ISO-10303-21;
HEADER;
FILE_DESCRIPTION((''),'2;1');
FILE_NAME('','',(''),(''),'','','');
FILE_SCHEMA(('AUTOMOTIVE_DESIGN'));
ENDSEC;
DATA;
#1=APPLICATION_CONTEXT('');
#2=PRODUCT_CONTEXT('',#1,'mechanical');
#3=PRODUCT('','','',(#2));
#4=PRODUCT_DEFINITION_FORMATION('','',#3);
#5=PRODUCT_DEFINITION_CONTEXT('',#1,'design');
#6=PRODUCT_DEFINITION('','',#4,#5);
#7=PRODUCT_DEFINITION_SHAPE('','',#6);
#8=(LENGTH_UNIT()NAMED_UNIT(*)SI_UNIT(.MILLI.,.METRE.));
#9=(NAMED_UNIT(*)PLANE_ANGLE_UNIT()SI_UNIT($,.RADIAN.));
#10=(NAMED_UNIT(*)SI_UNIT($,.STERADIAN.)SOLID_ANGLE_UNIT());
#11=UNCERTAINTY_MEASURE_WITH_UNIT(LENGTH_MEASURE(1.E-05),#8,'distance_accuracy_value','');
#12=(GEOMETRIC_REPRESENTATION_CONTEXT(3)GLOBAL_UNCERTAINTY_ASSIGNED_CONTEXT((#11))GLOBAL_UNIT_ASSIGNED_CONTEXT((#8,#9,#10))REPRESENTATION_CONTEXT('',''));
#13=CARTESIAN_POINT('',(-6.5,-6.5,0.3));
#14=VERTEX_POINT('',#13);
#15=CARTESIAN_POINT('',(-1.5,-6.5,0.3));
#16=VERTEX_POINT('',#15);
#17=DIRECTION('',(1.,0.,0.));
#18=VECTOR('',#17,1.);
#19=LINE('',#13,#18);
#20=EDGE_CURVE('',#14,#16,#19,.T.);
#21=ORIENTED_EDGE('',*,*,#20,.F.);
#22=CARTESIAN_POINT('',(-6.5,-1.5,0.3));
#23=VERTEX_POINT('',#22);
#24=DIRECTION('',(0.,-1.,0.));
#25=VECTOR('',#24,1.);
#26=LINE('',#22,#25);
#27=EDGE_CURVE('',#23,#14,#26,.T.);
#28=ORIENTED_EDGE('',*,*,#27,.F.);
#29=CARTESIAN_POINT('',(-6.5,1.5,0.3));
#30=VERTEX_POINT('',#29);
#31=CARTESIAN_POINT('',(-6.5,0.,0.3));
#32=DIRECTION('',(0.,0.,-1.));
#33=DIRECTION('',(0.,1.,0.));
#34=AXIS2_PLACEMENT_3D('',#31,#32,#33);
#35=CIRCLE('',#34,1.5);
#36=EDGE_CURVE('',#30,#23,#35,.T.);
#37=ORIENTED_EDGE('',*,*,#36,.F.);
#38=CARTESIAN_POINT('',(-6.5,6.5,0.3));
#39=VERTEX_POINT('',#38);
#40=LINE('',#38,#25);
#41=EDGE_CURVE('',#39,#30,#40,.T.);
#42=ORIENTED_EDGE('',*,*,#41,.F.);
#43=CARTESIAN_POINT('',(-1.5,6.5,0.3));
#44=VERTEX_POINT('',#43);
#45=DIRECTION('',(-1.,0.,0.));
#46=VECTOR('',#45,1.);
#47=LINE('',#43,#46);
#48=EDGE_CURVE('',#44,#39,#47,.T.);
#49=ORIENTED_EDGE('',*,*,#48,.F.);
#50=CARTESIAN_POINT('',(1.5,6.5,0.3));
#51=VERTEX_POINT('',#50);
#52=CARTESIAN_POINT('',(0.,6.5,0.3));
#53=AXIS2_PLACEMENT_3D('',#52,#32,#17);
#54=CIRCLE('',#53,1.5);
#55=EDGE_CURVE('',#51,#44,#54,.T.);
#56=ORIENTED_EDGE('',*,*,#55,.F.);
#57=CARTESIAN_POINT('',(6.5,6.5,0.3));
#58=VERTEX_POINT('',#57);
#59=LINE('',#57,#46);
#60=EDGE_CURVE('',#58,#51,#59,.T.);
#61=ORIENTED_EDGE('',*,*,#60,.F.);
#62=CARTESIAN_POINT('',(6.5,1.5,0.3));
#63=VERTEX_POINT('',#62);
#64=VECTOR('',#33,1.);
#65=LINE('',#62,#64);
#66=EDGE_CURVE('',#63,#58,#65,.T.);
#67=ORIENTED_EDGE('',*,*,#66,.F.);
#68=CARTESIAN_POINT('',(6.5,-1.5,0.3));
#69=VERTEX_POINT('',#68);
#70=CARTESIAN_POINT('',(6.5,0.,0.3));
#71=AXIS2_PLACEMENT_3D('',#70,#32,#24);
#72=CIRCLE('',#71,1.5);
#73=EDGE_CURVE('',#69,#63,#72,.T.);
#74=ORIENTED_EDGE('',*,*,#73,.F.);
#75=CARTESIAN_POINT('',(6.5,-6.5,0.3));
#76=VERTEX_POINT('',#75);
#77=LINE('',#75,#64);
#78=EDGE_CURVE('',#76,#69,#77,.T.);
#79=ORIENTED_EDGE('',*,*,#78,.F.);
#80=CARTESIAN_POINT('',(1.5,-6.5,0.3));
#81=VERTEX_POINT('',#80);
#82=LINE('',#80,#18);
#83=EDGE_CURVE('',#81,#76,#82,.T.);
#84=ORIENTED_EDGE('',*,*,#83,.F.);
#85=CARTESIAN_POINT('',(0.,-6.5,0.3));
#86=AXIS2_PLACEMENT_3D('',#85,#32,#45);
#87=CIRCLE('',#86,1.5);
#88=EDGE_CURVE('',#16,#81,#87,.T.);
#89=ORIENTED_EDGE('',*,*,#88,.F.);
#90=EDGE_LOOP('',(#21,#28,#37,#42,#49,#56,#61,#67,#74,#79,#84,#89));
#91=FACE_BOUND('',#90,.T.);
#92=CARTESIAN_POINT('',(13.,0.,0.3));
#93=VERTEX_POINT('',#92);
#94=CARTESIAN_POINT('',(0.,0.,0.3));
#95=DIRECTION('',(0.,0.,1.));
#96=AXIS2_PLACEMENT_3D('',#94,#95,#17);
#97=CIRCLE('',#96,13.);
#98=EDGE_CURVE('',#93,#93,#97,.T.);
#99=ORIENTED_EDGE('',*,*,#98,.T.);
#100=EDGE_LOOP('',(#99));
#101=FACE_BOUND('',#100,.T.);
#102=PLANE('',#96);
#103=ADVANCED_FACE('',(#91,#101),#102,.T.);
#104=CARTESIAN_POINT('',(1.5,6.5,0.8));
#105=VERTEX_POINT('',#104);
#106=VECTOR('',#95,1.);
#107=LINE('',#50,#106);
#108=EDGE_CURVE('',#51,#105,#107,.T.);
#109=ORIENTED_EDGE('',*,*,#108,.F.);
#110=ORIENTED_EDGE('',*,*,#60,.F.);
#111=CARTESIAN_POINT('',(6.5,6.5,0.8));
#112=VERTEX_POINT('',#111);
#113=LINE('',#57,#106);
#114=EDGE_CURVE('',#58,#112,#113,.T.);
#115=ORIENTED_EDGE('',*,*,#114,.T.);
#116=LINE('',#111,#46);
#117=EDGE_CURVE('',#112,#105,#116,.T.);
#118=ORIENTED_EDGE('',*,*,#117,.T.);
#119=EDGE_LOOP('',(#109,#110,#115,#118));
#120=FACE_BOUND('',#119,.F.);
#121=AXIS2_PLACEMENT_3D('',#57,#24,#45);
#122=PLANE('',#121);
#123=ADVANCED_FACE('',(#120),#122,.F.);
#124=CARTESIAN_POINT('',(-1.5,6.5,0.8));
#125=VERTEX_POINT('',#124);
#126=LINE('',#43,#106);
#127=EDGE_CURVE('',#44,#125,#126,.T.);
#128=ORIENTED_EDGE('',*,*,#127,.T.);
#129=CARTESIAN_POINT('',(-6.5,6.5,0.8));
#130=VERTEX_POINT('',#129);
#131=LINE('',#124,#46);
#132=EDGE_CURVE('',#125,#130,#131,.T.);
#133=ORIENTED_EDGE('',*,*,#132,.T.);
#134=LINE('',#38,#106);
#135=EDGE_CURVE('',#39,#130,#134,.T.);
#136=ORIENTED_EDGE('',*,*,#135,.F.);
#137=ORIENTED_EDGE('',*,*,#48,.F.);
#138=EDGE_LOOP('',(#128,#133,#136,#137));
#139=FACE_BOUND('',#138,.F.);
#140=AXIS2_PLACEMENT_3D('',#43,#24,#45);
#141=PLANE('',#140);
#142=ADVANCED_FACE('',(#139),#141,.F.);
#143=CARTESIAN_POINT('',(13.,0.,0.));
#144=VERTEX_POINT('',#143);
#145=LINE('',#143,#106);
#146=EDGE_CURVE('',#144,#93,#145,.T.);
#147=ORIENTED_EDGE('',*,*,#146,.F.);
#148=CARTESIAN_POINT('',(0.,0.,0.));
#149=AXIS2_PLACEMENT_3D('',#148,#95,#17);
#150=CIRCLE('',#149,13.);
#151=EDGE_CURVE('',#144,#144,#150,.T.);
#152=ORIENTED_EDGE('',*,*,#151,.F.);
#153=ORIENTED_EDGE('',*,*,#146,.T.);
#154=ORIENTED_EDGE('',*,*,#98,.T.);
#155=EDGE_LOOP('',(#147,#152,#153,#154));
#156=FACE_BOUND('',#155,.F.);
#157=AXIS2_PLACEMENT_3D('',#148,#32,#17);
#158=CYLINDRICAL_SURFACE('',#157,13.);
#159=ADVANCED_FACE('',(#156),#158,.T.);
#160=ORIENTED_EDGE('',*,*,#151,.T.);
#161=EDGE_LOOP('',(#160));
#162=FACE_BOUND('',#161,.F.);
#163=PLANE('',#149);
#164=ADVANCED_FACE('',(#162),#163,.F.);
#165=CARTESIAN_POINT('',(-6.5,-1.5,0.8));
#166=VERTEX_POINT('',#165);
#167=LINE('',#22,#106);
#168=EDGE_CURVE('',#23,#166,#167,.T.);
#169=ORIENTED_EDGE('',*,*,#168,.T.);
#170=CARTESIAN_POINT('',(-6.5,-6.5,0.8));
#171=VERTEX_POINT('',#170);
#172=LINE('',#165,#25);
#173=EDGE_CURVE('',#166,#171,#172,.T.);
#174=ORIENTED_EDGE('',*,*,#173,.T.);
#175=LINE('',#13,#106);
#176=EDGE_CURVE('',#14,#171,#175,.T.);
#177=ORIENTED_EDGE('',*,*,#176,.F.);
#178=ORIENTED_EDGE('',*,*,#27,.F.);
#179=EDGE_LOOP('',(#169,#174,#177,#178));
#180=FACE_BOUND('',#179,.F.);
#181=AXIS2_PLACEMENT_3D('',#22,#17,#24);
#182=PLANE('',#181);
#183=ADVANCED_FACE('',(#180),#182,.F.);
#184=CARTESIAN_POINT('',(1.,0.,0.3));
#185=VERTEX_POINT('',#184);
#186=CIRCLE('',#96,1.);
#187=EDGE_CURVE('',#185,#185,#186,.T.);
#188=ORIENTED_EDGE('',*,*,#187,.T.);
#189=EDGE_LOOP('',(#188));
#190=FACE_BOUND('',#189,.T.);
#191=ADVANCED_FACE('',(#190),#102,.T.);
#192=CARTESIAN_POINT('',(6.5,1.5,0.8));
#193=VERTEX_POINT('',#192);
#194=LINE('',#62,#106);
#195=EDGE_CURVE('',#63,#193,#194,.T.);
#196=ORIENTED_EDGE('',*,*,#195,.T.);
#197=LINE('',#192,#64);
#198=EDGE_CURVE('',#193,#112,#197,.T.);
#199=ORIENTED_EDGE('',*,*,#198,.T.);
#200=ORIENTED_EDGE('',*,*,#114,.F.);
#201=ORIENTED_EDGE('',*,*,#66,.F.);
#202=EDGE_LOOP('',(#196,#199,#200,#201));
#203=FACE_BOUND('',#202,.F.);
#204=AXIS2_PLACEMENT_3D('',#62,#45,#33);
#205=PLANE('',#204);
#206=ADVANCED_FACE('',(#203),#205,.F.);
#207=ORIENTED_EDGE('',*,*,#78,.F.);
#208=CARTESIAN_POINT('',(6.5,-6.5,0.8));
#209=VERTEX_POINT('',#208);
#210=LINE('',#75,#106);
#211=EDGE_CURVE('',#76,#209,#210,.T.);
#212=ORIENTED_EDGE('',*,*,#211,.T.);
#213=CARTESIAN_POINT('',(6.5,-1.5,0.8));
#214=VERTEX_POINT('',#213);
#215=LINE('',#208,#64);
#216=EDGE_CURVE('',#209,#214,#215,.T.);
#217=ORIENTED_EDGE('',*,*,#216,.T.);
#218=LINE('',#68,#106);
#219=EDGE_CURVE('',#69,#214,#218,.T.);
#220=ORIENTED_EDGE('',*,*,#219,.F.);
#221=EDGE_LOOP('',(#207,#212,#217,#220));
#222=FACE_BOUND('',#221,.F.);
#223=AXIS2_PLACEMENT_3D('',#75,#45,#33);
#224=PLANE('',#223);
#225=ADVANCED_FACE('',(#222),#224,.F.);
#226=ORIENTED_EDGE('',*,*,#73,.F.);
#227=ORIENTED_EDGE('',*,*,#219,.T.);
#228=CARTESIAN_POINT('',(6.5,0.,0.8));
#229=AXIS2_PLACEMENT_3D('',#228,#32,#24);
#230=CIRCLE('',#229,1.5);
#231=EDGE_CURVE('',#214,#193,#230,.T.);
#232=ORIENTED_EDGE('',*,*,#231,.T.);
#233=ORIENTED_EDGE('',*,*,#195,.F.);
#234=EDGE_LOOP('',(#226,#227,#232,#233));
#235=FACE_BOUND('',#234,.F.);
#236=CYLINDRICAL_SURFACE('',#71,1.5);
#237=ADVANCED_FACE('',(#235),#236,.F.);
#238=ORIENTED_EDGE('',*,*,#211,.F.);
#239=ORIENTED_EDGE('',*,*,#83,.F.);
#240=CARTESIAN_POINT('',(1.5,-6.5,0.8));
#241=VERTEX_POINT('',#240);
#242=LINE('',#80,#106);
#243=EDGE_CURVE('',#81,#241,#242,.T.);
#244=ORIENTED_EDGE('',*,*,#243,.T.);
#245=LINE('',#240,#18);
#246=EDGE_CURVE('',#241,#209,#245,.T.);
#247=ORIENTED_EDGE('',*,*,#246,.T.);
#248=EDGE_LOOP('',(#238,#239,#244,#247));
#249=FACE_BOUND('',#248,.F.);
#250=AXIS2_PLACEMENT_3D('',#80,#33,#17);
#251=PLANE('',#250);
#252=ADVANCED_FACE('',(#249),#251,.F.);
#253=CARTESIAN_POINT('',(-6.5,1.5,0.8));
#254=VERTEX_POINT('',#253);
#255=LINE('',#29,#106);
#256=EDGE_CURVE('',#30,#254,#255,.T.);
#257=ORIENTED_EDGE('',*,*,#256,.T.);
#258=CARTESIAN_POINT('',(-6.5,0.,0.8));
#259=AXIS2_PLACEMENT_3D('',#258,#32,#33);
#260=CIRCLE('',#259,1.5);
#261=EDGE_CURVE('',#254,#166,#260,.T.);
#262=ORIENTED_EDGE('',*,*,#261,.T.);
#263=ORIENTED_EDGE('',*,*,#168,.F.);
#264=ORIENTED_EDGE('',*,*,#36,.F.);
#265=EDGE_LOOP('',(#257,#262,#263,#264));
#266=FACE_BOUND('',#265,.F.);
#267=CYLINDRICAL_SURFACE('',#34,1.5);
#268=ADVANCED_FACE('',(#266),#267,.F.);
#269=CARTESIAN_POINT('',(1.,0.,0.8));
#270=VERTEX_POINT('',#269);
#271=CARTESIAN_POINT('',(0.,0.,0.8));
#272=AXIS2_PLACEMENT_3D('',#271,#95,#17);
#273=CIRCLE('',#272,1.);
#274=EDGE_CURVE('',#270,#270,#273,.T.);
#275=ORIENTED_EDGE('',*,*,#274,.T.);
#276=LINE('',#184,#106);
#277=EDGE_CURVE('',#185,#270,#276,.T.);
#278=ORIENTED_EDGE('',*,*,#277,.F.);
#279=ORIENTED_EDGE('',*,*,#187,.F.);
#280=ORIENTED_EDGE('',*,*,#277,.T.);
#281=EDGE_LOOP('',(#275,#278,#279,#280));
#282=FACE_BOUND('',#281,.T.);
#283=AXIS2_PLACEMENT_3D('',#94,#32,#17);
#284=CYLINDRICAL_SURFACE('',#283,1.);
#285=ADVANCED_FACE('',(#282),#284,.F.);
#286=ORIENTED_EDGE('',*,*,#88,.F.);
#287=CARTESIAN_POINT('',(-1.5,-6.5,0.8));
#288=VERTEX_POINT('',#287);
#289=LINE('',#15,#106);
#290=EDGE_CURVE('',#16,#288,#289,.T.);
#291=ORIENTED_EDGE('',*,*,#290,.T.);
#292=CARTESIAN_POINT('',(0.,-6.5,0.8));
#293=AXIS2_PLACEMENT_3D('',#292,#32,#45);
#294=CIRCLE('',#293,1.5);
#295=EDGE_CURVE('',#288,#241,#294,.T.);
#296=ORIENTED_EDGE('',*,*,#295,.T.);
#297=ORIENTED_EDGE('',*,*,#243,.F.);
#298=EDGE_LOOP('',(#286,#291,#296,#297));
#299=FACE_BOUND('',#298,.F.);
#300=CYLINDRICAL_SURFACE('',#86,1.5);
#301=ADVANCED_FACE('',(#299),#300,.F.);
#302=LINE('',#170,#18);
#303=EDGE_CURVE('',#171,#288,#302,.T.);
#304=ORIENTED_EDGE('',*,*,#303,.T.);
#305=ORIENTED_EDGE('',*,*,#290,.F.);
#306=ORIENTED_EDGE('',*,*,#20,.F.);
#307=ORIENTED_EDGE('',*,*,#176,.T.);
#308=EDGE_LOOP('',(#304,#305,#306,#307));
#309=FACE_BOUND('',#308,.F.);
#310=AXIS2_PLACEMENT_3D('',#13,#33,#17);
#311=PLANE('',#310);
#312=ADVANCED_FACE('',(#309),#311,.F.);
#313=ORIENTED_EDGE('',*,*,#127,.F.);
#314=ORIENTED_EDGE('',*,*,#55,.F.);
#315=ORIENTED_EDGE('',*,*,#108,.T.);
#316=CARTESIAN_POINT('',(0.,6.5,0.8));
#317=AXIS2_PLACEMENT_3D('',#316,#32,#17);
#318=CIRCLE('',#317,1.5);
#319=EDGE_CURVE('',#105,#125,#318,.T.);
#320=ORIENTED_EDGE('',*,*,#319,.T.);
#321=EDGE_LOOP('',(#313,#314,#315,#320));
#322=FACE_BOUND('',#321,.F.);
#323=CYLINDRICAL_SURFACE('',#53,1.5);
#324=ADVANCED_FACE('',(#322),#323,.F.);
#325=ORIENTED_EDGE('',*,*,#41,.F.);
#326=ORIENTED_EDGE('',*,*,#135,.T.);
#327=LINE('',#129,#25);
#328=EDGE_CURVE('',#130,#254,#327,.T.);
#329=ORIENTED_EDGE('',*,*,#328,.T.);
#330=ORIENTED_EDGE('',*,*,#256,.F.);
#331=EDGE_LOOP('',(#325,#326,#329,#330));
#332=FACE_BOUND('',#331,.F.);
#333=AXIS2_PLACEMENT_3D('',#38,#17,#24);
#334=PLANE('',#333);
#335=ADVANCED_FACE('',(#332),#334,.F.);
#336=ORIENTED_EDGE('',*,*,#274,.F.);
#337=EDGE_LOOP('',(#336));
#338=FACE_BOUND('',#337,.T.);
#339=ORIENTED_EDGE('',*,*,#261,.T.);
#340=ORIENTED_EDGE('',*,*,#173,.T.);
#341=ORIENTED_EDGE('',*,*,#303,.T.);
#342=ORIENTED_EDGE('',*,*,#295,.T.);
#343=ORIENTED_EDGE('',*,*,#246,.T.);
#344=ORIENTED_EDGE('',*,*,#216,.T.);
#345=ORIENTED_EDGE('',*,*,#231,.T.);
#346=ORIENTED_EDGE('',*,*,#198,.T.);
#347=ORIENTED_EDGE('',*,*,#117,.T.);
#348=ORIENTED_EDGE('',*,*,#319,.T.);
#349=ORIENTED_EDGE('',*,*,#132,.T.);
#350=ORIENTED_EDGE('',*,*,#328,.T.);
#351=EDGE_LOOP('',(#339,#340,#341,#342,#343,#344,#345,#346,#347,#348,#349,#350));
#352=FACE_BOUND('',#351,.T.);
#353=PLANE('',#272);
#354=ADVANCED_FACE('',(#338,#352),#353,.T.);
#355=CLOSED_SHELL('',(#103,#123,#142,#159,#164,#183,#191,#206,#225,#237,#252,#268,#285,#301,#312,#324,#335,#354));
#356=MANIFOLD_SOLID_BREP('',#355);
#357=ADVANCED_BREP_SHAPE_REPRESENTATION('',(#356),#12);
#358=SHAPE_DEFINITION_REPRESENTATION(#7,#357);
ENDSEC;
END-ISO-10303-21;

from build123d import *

# Parameters (mm, degrees)
F0_R     = 13
F1_DEPTH = 0.3
F2_R     = 1
F3_DEPTH = 0.5


with BuildPart() as f1:
    # F0 (on Top) → F1 (new body)
    with BuildSketch(Plane.XY):
        Circle(F0_R)
    extrude(amount=F1_DEPTH)

    # F2 (on face) → F3 (join)
    with BuildSketch(Plane.XY.offset(0.3)):
        with BuildLine():
            Line((6.5, 1.5), (6.5, 6.5))
            Line((6.5, 6.5), (1.5, 6.5))
            ThreePointArc((1.5, 6.5), (0, 5), (-1.5, 6.5))
            Line((-1.5, 6.5), (-6.5, 6.5))
            Line((-6.5, 6.5), (-6.5, 1.5))
            ThreePointArc((-6.5, 1.5), (-5, 0), (-6.5, -1.5))
            Line((-6.5, -1.5), (-6.5, -6.5))
            Line((-6.5, -6.5), (-1.5, -6.5))
            ThreePointArc((-1.5, -6.5), (0, -5), (1.5, -6.5))
            Line((1.5, -6.5), (6.5, -6.5))
            Line((6.5, -6.5), (6.5, -1.5))
            ThreePointArc((6.5, -1.5), (5, 0), (6.5, 1.5))
        make_face()
        Circle(F2_R, mode=Mode.SUBTRACT)
    extrude(amount=F3_DEPTH)


solid = f1.part
